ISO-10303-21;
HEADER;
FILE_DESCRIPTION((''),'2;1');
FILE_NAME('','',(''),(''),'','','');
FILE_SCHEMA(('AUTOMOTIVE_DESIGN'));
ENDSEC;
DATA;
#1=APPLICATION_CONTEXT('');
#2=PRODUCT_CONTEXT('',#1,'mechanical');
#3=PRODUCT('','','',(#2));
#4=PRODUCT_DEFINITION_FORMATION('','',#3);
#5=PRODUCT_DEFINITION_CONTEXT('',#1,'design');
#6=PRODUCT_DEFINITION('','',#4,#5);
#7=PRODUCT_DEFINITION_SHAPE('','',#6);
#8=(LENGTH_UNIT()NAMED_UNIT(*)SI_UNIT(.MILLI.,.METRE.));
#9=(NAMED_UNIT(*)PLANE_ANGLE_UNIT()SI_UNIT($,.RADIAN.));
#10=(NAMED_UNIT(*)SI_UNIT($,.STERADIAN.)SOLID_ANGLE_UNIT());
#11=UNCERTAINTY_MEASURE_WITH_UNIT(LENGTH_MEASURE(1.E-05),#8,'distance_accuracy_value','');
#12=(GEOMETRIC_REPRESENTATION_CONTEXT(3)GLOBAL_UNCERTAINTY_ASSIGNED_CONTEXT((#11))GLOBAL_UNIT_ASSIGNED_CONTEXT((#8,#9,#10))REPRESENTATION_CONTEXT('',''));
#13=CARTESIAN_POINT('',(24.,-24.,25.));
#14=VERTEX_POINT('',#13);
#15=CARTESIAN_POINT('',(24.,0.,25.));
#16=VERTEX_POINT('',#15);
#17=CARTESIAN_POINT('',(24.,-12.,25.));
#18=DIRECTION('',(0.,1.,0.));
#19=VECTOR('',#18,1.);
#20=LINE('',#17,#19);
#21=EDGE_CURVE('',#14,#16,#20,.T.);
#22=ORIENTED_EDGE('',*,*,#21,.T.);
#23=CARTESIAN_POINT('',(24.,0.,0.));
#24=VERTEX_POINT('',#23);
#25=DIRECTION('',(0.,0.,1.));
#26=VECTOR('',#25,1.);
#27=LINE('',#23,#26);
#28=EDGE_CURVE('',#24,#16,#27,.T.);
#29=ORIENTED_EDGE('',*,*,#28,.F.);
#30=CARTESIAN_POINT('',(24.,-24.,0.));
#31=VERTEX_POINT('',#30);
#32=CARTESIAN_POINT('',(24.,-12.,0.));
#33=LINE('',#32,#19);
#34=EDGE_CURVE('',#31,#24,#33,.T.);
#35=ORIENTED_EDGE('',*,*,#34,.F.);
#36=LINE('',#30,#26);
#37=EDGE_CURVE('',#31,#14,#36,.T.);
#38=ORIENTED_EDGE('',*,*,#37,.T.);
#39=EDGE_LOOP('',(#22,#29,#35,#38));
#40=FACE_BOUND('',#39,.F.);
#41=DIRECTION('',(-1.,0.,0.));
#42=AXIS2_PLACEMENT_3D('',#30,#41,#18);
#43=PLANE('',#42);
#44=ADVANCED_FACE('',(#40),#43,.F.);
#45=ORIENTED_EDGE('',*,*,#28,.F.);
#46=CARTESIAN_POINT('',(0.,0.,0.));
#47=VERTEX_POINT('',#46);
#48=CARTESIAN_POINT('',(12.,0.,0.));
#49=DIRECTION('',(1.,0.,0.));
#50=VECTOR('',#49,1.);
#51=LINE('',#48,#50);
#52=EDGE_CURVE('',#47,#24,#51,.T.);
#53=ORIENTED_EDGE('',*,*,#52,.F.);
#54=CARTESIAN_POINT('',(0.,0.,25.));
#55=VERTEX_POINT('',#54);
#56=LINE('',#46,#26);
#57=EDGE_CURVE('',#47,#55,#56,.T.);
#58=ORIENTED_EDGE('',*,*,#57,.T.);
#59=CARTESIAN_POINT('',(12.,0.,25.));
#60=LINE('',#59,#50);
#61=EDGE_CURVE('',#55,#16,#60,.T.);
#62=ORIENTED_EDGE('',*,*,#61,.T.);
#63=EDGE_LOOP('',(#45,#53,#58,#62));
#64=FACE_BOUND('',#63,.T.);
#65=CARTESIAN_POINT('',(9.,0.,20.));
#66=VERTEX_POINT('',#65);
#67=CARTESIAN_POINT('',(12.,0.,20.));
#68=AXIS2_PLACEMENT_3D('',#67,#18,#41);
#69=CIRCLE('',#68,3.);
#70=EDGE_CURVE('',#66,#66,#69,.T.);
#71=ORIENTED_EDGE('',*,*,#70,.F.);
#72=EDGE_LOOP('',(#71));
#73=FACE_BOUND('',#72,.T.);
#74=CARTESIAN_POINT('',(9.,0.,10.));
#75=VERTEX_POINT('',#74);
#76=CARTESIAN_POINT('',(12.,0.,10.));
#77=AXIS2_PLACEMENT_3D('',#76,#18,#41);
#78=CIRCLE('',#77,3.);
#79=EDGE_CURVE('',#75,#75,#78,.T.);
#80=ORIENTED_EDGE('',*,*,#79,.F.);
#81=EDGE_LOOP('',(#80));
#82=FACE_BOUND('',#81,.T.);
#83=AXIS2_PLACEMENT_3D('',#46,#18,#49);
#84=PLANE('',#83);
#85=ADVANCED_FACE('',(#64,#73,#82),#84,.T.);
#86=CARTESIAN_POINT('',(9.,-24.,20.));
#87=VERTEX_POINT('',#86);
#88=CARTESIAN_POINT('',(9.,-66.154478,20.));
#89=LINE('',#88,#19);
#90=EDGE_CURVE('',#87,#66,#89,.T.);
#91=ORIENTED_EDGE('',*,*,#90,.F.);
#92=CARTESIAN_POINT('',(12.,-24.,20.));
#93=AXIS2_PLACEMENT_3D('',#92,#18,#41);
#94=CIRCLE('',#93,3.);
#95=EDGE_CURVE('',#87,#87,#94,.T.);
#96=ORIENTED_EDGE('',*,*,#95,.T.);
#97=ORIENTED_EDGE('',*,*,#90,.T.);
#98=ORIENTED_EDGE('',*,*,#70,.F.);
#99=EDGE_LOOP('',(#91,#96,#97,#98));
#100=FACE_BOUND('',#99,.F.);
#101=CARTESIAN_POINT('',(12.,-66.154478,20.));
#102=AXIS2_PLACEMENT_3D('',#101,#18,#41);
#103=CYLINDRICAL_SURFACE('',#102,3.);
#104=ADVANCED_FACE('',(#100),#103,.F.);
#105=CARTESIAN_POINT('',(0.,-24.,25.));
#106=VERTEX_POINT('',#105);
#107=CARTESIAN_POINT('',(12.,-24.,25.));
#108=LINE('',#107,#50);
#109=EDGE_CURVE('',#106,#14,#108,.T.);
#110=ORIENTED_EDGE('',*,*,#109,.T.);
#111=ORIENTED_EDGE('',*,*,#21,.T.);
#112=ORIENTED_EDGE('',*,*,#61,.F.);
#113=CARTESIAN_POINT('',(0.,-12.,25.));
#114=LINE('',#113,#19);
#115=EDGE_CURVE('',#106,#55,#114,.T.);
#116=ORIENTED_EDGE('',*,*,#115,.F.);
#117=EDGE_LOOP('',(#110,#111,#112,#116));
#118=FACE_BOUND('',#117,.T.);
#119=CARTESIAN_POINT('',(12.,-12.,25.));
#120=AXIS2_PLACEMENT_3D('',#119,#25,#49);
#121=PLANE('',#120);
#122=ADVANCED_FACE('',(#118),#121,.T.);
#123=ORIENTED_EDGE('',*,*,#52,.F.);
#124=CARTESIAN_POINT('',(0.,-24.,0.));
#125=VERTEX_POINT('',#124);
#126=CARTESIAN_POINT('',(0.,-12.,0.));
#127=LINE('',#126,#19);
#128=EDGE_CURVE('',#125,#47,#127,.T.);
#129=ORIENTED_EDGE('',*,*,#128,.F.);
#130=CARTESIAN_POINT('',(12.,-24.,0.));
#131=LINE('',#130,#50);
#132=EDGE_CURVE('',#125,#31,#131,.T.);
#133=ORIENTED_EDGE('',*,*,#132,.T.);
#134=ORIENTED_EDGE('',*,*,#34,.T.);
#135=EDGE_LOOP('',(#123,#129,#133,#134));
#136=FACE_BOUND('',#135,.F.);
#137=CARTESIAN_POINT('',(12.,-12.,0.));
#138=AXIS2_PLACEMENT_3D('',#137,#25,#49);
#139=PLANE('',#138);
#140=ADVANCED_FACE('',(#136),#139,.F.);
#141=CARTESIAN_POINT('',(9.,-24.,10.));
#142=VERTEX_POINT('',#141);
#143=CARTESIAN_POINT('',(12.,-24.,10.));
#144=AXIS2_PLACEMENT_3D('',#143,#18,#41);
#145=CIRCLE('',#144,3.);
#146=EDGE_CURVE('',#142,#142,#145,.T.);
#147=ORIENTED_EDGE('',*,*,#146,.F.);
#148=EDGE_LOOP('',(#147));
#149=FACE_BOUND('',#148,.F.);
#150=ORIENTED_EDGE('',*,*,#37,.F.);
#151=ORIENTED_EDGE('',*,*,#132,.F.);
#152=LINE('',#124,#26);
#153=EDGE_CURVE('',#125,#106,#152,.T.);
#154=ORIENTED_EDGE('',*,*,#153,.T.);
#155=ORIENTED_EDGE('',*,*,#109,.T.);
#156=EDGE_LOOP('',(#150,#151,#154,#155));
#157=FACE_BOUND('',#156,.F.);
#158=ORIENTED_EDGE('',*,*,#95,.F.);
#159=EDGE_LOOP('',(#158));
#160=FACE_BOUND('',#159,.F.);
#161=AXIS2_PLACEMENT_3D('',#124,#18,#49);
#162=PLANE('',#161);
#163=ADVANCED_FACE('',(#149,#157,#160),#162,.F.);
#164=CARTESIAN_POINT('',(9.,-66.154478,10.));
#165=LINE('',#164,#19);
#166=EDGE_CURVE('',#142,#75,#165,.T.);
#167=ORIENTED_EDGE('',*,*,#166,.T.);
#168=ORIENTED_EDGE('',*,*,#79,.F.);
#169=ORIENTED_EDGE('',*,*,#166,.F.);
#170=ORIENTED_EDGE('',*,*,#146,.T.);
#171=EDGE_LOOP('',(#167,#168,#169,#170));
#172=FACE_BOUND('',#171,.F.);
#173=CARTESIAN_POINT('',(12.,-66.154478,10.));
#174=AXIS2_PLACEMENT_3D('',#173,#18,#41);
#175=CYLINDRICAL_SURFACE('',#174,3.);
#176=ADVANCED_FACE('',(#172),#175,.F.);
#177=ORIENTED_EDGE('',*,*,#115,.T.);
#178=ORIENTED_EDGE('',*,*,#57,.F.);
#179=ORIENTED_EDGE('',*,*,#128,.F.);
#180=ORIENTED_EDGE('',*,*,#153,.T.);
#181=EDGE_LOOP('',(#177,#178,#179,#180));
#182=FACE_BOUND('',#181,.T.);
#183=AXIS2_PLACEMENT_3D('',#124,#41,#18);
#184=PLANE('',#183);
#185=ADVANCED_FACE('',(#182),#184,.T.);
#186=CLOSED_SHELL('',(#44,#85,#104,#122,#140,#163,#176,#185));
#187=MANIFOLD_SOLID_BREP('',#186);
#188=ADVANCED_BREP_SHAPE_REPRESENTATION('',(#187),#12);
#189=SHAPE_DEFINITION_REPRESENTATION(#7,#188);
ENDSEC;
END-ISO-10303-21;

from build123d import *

# Parameters (mm, degrees)
F0_W     = 24
F0_H     = 24
F1_DEPTH = 25
F3_D     = 6


with BuildPart() as f1:
    # F0 (on Top) → F1 (new body)
    with BuildSketch(Plane.XY):
        with Locations((12, -12)):
            Rectangle(F0_W, F0_H)
    extrude(amount=F1_DEPTH)

    # F3 (through all)
    with Locations(Plane.XZ.offset(24)):
        with Locations((12, 20), (12, 10)):
            Hole(F3_D / 2)


solid = f1.part
